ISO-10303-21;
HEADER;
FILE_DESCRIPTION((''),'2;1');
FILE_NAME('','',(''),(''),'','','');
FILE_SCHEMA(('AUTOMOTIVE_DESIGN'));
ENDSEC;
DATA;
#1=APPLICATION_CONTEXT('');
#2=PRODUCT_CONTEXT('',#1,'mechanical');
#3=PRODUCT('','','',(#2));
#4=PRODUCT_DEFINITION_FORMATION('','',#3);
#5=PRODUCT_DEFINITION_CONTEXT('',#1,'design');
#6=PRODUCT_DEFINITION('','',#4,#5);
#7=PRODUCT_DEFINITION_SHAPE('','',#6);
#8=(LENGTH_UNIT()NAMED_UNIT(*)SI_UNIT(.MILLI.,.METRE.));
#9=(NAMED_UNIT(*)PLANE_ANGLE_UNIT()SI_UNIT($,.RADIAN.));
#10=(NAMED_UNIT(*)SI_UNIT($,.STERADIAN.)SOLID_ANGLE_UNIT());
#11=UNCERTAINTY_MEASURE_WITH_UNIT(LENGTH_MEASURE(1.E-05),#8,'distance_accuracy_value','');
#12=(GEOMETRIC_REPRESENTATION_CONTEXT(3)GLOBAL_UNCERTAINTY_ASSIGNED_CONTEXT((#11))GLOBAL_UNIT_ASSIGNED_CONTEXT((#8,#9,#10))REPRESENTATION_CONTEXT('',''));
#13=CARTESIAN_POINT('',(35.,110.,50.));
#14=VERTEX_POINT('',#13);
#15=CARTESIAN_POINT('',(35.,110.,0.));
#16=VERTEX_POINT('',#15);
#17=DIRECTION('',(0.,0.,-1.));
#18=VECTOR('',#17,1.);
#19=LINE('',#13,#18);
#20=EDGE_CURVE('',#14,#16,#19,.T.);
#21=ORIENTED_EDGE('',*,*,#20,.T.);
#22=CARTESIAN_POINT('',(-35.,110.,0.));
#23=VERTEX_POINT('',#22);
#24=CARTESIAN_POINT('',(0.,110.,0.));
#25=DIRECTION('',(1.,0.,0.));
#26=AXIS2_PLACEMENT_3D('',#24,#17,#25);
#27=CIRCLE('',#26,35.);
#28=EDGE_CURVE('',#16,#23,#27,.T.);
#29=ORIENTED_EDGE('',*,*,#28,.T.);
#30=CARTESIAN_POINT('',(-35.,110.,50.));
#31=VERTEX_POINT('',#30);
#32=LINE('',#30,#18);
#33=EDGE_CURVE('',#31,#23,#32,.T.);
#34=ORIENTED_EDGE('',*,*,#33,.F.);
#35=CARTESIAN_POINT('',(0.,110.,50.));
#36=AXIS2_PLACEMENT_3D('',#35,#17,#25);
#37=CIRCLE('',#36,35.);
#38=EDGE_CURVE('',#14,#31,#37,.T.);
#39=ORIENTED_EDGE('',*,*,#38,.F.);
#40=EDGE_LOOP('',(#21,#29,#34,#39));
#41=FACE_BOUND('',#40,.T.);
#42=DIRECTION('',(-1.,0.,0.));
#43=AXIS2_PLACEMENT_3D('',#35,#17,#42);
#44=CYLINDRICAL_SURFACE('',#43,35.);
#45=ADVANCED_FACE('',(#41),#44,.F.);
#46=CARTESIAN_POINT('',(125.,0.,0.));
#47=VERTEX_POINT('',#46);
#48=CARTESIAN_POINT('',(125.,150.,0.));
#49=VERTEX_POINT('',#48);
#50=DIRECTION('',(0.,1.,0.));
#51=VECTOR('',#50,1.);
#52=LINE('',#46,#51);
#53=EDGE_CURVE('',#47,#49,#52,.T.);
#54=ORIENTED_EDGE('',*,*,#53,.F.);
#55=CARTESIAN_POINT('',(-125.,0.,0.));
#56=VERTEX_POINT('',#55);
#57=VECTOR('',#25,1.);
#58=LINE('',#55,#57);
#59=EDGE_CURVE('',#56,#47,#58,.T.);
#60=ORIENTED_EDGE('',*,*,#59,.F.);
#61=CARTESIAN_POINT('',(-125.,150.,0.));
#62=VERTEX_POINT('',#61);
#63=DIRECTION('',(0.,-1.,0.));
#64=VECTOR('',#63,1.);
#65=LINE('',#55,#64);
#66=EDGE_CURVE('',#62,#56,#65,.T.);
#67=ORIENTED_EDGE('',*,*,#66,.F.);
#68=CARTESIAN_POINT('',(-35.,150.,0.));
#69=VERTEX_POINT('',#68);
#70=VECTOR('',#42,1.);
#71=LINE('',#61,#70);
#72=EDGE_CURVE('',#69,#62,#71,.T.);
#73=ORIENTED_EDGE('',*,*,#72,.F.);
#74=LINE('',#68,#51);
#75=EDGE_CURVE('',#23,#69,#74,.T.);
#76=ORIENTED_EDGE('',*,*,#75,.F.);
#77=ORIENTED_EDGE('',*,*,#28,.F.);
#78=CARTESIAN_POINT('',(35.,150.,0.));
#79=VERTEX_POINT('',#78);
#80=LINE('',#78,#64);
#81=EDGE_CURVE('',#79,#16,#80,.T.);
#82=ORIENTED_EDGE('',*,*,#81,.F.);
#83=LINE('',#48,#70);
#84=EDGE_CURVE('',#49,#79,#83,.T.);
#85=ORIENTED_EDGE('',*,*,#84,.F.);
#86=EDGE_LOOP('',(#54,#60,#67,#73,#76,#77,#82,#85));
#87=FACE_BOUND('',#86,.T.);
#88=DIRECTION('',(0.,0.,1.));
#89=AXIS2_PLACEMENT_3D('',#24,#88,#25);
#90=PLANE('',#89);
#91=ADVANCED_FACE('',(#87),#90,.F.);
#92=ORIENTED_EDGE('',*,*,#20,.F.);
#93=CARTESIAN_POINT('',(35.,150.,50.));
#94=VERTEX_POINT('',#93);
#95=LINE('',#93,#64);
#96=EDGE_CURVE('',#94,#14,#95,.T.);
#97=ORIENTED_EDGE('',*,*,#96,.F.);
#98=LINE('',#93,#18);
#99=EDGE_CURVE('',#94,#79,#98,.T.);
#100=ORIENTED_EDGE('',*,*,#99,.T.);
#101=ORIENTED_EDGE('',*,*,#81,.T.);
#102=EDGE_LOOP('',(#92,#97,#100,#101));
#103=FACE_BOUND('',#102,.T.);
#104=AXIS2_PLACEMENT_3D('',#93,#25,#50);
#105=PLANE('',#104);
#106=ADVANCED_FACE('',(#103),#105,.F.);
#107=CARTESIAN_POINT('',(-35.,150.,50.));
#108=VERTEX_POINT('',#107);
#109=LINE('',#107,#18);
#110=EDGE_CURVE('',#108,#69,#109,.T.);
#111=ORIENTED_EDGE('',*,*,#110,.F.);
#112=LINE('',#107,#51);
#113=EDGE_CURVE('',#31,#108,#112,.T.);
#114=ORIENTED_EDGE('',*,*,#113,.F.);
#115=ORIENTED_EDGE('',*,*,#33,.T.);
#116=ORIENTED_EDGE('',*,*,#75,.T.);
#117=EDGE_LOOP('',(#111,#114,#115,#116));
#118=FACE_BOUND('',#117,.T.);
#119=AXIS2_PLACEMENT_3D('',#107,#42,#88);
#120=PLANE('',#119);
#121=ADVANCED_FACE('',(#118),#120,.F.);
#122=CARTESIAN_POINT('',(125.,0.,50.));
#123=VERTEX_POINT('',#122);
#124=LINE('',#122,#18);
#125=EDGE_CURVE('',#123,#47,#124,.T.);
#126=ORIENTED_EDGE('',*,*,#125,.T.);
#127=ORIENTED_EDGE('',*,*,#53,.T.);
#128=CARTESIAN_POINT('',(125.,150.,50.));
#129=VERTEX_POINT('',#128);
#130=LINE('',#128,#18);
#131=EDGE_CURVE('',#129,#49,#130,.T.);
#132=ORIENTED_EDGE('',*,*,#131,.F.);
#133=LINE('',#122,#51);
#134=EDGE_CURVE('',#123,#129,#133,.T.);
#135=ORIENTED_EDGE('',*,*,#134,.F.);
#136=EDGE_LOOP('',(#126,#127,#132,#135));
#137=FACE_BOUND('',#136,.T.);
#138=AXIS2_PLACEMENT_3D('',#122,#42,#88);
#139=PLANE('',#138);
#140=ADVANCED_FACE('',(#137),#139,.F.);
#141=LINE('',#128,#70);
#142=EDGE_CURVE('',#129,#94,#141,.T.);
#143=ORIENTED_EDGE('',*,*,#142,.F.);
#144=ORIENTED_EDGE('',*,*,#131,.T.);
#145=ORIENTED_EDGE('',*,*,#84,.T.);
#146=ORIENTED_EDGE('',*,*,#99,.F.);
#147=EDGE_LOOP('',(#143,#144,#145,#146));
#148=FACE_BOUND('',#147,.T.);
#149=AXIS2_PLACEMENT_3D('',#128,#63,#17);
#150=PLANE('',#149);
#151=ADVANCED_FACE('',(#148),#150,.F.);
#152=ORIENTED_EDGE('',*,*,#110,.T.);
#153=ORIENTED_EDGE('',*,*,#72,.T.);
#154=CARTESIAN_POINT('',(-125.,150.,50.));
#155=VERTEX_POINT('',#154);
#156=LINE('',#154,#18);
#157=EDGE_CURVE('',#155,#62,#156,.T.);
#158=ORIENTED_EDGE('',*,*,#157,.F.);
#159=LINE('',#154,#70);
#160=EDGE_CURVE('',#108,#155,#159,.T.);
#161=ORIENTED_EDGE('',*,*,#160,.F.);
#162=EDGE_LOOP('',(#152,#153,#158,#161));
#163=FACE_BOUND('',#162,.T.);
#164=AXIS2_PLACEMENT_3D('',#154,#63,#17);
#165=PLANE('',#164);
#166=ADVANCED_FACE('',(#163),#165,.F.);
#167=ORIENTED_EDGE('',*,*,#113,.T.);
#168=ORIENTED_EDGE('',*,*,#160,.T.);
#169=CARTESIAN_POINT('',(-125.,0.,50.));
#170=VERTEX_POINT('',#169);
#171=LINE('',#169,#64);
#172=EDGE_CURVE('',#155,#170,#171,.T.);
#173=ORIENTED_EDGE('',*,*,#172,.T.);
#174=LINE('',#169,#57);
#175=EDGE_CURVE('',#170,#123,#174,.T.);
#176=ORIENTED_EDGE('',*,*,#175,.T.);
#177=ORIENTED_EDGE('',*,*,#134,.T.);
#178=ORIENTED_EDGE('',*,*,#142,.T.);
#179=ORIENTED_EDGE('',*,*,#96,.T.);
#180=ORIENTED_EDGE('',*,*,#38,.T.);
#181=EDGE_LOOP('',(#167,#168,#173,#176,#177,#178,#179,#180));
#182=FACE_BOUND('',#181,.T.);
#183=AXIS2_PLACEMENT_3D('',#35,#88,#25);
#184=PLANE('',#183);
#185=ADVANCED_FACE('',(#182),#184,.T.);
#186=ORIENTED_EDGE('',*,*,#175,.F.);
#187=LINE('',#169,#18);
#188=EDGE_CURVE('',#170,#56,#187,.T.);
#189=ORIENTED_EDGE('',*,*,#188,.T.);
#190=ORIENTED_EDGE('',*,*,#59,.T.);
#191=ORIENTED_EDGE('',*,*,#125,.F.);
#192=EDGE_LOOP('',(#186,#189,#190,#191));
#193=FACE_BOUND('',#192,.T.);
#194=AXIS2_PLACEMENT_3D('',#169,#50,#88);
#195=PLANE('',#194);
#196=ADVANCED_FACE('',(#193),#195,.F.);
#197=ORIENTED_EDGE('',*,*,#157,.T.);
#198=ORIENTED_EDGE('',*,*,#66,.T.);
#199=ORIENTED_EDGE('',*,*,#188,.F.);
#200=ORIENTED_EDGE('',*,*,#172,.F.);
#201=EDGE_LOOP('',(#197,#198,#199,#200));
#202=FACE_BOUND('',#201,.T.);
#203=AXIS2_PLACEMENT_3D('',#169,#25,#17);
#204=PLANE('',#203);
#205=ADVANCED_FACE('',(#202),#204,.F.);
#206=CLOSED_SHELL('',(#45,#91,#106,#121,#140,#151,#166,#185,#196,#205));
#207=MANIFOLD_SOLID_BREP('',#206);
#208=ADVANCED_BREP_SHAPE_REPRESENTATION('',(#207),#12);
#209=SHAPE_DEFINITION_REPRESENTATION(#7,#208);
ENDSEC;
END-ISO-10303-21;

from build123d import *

# Parameters (mm, degrees)
BOSS_EXTRUDE1_DEPTH = 50


with BuildPart() as part:
    # Sketch3 → Boss-Extrude1 (new body)
    with BuildSketch(Plane.XY):
        with BuildLine():
            Line((-125, 0), (125, 0))
            Line((125, 0), (125, 150))
            Line((125, 150), (35, 150))
            Line((35, 150), (35, 110))
            ThreePointArc((35, 110), (0, 75), (-35, 110))
            Line((-35, 110), (-35, 150))
            Line((-35, 150), (-125, 150))
            Line((-125, 150), (-125, 0))
        make_face()
    extrude(amount=BOSS_EXTRUDE1_DEPTH)


solid = part.part
